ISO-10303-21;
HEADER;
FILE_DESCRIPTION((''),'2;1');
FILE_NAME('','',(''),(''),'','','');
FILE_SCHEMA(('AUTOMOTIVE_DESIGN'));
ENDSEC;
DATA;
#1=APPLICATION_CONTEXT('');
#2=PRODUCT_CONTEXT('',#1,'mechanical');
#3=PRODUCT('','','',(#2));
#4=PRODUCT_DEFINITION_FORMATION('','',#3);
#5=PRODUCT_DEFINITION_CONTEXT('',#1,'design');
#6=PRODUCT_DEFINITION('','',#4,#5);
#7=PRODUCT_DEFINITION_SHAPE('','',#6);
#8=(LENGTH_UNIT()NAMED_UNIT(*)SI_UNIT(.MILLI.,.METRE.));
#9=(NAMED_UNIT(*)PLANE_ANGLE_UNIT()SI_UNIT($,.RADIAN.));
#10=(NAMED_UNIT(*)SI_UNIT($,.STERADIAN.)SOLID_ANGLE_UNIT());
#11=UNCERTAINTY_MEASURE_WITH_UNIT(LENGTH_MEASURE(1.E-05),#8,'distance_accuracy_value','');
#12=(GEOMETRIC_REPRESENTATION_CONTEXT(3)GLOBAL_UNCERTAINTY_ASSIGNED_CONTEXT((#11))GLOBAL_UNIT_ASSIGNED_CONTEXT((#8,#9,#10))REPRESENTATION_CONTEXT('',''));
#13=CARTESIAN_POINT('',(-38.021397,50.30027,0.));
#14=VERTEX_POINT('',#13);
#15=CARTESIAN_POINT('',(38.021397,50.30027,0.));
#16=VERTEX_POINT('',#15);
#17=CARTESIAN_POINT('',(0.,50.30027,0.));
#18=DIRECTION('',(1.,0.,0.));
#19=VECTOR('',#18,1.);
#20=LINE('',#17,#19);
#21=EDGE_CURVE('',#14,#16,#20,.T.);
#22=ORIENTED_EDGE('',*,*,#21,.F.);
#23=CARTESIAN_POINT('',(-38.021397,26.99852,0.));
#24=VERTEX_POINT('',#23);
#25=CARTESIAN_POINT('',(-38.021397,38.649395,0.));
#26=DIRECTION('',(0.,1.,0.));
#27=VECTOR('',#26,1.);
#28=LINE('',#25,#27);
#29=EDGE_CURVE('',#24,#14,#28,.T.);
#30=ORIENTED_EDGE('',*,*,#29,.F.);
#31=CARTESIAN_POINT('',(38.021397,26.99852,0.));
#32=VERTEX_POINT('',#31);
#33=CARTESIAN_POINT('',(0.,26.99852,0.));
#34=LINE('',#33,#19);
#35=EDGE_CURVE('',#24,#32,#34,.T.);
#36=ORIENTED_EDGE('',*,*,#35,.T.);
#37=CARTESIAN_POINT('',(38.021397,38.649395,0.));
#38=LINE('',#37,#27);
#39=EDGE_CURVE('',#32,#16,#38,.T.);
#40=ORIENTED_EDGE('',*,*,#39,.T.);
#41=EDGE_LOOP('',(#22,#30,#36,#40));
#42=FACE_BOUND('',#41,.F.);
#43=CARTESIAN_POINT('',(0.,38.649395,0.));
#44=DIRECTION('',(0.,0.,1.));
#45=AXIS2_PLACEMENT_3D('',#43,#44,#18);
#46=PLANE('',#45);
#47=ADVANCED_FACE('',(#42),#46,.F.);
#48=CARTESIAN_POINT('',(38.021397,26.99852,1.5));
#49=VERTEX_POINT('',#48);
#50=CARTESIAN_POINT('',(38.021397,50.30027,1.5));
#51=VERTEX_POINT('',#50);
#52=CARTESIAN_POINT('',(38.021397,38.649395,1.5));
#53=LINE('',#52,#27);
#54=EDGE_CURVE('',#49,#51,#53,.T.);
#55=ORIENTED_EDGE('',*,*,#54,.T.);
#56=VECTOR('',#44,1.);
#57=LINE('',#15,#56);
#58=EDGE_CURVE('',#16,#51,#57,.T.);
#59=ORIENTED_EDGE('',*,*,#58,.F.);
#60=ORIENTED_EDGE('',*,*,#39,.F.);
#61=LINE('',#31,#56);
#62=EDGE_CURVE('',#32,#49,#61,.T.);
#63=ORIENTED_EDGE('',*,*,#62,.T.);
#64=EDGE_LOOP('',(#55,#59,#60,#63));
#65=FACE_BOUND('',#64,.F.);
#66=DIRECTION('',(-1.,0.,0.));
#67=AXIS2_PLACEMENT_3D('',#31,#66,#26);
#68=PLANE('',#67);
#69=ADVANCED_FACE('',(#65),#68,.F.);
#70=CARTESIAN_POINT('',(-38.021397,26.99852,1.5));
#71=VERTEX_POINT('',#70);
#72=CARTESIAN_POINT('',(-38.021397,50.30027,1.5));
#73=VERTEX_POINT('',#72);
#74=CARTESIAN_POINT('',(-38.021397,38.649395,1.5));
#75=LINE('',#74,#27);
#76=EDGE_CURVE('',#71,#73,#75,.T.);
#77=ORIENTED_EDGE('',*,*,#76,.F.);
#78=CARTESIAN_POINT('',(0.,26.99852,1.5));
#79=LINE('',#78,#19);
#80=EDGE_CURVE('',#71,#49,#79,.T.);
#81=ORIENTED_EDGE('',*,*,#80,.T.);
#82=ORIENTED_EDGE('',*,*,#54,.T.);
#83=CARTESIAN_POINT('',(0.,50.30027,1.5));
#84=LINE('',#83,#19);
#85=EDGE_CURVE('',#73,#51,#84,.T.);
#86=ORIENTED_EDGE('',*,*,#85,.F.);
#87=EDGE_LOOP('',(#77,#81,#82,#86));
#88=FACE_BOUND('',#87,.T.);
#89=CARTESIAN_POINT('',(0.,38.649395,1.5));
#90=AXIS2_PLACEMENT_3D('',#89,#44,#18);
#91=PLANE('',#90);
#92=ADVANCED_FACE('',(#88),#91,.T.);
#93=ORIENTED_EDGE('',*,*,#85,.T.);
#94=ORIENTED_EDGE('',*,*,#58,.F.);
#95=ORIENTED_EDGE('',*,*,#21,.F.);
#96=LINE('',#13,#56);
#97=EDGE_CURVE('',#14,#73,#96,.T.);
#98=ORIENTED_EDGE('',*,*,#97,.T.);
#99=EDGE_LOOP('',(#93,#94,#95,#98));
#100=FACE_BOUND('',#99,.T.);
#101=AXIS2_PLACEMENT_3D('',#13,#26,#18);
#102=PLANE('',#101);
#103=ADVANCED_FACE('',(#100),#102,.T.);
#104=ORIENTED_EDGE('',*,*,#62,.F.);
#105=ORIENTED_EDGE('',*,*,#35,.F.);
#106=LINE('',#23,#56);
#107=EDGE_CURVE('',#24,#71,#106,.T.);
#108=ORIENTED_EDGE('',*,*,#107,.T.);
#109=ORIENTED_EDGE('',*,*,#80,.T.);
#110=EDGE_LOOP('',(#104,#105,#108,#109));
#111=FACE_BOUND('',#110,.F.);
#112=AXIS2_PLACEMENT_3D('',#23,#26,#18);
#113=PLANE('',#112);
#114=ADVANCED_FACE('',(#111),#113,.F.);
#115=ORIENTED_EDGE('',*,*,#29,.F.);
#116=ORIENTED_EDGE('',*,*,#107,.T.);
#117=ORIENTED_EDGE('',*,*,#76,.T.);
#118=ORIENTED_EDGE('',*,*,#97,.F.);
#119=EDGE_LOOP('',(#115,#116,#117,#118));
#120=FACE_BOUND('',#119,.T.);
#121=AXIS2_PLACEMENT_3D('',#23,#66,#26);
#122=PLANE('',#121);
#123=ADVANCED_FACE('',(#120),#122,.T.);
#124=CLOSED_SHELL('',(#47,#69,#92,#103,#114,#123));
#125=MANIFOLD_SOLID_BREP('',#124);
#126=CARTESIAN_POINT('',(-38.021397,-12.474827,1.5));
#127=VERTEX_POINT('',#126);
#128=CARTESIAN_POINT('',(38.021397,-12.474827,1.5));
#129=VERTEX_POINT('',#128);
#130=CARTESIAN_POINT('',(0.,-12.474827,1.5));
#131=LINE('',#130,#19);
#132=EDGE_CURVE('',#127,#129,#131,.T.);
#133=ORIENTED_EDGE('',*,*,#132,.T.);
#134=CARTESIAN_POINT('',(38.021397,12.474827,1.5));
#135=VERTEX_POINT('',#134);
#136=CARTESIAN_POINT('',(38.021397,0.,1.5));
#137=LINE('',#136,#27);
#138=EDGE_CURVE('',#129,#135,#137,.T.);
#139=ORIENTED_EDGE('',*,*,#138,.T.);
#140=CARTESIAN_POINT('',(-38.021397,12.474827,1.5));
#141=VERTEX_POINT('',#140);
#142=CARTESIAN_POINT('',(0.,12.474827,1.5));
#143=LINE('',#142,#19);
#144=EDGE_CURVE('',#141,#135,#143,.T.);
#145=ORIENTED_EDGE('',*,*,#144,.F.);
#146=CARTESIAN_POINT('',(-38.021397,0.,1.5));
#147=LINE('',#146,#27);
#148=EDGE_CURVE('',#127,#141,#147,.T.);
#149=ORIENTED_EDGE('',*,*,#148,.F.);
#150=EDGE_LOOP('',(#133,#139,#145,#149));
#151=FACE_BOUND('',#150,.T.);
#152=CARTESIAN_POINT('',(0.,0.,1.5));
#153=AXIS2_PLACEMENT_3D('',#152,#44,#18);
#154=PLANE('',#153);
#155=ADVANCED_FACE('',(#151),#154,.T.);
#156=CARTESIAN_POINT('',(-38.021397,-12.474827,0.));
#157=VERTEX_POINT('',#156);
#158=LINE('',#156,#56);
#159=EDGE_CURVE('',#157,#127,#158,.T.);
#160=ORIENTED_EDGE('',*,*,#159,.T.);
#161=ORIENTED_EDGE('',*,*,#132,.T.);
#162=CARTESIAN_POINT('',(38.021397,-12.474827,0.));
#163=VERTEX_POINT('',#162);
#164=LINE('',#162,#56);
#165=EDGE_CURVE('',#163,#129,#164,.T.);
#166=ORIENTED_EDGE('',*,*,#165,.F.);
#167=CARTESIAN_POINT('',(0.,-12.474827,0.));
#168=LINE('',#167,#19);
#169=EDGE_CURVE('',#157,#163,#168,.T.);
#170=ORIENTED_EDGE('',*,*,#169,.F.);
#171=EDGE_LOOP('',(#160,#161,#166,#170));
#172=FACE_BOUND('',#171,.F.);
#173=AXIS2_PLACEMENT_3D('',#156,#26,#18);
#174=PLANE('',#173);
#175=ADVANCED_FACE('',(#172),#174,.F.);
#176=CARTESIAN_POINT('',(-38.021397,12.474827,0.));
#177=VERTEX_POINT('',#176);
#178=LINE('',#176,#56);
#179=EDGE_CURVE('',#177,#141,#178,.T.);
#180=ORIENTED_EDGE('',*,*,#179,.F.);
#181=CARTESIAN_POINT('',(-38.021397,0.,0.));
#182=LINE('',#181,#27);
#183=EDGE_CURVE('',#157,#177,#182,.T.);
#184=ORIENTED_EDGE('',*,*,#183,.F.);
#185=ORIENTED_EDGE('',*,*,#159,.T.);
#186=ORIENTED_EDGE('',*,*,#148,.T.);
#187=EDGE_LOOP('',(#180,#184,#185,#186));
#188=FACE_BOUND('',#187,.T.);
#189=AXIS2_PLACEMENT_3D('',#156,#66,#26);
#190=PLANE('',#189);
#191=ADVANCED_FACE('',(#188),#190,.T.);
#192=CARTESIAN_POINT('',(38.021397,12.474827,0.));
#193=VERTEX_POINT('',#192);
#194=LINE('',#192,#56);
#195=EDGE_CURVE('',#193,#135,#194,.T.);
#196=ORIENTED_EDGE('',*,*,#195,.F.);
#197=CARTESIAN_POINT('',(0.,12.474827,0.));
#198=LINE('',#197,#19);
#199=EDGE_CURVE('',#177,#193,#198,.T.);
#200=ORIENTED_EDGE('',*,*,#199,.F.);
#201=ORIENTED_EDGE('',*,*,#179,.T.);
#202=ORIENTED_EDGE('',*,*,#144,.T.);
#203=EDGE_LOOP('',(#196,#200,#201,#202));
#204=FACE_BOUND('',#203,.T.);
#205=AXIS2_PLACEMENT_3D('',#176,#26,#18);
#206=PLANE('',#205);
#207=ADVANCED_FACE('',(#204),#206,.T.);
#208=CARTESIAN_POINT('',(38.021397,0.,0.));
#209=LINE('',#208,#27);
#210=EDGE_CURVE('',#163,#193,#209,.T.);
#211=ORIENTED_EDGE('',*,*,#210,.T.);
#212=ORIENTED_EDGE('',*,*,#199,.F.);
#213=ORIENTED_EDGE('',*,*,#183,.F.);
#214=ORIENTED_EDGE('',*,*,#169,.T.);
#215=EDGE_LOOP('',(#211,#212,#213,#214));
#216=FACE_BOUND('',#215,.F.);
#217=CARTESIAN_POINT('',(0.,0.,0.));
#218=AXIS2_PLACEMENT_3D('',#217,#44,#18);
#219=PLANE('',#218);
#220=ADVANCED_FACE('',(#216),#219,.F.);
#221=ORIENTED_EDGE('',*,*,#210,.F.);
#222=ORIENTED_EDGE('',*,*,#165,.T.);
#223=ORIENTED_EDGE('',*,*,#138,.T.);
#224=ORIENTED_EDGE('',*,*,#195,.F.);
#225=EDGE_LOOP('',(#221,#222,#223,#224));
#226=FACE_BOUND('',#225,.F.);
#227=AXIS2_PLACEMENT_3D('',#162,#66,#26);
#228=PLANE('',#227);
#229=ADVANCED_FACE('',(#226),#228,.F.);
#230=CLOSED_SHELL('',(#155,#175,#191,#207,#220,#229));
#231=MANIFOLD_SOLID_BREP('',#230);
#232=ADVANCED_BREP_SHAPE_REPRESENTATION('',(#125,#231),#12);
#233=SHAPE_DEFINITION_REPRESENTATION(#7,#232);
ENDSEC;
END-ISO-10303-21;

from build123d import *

# Parameters (mm, degrees)
F0_W     = 76.042794
F0_H     = 23.30175
F0_H_2   = 24.949654
F1_DEPTH = 1.5


with BuildPart() as f1:
    # F0 (on Top) → F1 (new body)
    with BuildSketch(Plane.XY):
        with Locations((0, 38.649395)):
            Rectangle(F0_W, F0_H)
        Rectangle(F0_W, F0_H_2)
    extrude(amount=F1_DEPTH)


solid = f1.part
